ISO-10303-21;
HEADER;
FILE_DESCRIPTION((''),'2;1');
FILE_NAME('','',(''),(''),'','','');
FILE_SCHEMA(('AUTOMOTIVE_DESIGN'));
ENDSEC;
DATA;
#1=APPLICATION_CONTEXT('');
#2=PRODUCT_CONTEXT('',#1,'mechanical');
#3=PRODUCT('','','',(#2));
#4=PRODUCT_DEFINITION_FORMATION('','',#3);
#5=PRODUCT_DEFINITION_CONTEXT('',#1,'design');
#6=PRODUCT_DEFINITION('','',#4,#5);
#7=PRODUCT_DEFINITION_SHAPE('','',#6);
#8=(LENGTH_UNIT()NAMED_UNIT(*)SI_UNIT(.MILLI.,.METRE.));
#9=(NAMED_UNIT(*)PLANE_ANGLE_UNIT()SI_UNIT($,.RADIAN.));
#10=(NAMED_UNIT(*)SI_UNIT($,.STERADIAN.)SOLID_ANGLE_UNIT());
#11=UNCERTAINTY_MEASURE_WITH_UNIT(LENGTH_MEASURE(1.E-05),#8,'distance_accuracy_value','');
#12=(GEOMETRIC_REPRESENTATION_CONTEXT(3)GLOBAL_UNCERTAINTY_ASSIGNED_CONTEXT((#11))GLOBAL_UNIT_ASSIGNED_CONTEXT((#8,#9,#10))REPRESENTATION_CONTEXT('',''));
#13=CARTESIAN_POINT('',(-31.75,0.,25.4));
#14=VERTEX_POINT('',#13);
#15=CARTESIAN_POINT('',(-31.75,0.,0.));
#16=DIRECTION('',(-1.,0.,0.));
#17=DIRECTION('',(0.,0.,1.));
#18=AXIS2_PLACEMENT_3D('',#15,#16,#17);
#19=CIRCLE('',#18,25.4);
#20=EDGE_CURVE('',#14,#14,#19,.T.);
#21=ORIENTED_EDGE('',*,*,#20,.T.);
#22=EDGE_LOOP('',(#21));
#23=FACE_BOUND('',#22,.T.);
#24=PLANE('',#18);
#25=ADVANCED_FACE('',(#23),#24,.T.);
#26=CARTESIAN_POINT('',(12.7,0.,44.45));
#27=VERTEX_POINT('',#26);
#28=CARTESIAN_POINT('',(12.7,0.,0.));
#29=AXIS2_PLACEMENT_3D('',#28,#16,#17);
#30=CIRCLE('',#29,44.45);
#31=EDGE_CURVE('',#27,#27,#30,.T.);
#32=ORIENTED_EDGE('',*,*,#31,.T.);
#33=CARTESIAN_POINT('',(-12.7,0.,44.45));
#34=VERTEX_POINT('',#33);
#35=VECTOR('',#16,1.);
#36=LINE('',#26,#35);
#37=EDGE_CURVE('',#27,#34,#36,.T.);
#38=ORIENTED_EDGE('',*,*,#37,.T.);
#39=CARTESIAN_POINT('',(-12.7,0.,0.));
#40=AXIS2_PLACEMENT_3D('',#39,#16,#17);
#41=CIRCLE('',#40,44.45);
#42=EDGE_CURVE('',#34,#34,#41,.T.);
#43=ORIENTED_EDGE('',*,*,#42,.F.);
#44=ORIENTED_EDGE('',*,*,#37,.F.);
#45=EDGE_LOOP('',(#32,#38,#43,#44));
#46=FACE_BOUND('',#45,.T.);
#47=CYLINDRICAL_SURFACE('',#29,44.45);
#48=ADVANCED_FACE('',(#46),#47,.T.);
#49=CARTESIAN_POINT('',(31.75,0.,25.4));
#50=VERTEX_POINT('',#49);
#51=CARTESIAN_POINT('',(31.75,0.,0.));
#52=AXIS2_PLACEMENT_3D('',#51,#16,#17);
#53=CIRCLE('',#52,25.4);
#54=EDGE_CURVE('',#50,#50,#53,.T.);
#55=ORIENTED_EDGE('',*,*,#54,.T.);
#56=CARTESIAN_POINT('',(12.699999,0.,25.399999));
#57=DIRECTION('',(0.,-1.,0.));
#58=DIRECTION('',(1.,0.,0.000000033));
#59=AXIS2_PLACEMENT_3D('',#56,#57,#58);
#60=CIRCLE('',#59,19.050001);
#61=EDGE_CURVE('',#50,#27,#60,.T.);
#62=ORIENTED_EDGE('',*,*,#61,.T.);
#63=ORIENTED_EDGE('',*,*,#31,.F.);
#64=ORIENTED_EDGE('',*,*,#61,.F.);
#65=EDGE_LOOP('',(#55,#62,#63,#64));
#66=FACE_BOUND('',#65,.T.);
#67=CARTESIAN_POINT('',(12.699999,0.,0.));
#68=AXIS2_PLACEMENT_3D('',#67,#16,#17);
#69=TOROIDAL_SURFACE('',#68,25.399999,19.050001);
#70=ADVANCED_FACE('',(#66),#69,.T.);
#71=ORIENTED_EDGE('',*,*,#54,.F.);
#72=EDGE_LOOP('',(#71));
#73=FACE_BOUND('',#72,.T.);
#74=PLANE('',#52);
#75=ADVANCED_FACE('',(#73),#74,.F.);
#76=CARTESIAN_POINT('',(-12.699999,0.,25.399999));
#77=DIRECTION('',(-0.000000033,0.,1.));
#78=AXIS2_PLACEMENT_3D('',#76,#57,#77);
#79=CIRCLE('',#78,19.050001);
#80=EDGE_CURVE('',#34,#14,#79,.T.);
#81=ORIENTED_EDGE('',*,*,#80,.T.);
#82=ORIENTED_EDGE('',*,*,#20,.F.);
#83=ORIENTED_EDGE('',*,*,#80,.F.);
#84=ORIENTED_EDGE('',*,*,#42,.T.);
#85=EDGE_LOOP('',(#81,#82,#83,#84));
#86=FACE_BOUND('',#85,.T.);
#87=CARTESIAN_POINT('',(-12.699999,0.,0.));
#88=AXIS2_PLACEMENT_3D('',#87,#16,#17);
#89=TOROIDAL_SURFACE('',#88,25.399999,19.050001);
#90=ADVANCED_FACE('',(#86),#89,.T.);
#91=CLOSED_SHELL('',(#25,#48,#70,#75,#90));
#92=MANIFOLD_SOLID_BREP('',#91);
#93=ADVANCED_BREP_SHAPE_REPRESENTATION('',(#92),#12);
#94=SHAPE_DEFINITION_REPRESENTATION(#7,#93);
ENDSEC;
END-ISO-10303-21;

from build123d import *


with BuildPart() as f1:
    # F0 (on Front) → F1 (revolve)
    with BuildSketch(Plane.XZ):
        with BuildLine():
            Line((12.7, 44.45), (0, 44.45))
            Line((0, 44.45), (-12.7, 44.45))
            ThreePointArc((-12.7, 44.45), (-26.170384, 38.870384), (-31.75, 25.4))
            Line((-31.75, 25.4), (-31.75, 0))
            Line((-31.75, 0), (0, 0))
            Line((0, 0), (31.75, 0))
            Line((31.75, 0), (31.75, 25.4))
            ThreePointArc((31.75, 25.4), (26.170384, 38.870384), (12.7, 44.45))
        make_face()
    revolve(axis=Axis((-15.875, 0, 0), (-1, 0, 0)))


solid = f1.part
